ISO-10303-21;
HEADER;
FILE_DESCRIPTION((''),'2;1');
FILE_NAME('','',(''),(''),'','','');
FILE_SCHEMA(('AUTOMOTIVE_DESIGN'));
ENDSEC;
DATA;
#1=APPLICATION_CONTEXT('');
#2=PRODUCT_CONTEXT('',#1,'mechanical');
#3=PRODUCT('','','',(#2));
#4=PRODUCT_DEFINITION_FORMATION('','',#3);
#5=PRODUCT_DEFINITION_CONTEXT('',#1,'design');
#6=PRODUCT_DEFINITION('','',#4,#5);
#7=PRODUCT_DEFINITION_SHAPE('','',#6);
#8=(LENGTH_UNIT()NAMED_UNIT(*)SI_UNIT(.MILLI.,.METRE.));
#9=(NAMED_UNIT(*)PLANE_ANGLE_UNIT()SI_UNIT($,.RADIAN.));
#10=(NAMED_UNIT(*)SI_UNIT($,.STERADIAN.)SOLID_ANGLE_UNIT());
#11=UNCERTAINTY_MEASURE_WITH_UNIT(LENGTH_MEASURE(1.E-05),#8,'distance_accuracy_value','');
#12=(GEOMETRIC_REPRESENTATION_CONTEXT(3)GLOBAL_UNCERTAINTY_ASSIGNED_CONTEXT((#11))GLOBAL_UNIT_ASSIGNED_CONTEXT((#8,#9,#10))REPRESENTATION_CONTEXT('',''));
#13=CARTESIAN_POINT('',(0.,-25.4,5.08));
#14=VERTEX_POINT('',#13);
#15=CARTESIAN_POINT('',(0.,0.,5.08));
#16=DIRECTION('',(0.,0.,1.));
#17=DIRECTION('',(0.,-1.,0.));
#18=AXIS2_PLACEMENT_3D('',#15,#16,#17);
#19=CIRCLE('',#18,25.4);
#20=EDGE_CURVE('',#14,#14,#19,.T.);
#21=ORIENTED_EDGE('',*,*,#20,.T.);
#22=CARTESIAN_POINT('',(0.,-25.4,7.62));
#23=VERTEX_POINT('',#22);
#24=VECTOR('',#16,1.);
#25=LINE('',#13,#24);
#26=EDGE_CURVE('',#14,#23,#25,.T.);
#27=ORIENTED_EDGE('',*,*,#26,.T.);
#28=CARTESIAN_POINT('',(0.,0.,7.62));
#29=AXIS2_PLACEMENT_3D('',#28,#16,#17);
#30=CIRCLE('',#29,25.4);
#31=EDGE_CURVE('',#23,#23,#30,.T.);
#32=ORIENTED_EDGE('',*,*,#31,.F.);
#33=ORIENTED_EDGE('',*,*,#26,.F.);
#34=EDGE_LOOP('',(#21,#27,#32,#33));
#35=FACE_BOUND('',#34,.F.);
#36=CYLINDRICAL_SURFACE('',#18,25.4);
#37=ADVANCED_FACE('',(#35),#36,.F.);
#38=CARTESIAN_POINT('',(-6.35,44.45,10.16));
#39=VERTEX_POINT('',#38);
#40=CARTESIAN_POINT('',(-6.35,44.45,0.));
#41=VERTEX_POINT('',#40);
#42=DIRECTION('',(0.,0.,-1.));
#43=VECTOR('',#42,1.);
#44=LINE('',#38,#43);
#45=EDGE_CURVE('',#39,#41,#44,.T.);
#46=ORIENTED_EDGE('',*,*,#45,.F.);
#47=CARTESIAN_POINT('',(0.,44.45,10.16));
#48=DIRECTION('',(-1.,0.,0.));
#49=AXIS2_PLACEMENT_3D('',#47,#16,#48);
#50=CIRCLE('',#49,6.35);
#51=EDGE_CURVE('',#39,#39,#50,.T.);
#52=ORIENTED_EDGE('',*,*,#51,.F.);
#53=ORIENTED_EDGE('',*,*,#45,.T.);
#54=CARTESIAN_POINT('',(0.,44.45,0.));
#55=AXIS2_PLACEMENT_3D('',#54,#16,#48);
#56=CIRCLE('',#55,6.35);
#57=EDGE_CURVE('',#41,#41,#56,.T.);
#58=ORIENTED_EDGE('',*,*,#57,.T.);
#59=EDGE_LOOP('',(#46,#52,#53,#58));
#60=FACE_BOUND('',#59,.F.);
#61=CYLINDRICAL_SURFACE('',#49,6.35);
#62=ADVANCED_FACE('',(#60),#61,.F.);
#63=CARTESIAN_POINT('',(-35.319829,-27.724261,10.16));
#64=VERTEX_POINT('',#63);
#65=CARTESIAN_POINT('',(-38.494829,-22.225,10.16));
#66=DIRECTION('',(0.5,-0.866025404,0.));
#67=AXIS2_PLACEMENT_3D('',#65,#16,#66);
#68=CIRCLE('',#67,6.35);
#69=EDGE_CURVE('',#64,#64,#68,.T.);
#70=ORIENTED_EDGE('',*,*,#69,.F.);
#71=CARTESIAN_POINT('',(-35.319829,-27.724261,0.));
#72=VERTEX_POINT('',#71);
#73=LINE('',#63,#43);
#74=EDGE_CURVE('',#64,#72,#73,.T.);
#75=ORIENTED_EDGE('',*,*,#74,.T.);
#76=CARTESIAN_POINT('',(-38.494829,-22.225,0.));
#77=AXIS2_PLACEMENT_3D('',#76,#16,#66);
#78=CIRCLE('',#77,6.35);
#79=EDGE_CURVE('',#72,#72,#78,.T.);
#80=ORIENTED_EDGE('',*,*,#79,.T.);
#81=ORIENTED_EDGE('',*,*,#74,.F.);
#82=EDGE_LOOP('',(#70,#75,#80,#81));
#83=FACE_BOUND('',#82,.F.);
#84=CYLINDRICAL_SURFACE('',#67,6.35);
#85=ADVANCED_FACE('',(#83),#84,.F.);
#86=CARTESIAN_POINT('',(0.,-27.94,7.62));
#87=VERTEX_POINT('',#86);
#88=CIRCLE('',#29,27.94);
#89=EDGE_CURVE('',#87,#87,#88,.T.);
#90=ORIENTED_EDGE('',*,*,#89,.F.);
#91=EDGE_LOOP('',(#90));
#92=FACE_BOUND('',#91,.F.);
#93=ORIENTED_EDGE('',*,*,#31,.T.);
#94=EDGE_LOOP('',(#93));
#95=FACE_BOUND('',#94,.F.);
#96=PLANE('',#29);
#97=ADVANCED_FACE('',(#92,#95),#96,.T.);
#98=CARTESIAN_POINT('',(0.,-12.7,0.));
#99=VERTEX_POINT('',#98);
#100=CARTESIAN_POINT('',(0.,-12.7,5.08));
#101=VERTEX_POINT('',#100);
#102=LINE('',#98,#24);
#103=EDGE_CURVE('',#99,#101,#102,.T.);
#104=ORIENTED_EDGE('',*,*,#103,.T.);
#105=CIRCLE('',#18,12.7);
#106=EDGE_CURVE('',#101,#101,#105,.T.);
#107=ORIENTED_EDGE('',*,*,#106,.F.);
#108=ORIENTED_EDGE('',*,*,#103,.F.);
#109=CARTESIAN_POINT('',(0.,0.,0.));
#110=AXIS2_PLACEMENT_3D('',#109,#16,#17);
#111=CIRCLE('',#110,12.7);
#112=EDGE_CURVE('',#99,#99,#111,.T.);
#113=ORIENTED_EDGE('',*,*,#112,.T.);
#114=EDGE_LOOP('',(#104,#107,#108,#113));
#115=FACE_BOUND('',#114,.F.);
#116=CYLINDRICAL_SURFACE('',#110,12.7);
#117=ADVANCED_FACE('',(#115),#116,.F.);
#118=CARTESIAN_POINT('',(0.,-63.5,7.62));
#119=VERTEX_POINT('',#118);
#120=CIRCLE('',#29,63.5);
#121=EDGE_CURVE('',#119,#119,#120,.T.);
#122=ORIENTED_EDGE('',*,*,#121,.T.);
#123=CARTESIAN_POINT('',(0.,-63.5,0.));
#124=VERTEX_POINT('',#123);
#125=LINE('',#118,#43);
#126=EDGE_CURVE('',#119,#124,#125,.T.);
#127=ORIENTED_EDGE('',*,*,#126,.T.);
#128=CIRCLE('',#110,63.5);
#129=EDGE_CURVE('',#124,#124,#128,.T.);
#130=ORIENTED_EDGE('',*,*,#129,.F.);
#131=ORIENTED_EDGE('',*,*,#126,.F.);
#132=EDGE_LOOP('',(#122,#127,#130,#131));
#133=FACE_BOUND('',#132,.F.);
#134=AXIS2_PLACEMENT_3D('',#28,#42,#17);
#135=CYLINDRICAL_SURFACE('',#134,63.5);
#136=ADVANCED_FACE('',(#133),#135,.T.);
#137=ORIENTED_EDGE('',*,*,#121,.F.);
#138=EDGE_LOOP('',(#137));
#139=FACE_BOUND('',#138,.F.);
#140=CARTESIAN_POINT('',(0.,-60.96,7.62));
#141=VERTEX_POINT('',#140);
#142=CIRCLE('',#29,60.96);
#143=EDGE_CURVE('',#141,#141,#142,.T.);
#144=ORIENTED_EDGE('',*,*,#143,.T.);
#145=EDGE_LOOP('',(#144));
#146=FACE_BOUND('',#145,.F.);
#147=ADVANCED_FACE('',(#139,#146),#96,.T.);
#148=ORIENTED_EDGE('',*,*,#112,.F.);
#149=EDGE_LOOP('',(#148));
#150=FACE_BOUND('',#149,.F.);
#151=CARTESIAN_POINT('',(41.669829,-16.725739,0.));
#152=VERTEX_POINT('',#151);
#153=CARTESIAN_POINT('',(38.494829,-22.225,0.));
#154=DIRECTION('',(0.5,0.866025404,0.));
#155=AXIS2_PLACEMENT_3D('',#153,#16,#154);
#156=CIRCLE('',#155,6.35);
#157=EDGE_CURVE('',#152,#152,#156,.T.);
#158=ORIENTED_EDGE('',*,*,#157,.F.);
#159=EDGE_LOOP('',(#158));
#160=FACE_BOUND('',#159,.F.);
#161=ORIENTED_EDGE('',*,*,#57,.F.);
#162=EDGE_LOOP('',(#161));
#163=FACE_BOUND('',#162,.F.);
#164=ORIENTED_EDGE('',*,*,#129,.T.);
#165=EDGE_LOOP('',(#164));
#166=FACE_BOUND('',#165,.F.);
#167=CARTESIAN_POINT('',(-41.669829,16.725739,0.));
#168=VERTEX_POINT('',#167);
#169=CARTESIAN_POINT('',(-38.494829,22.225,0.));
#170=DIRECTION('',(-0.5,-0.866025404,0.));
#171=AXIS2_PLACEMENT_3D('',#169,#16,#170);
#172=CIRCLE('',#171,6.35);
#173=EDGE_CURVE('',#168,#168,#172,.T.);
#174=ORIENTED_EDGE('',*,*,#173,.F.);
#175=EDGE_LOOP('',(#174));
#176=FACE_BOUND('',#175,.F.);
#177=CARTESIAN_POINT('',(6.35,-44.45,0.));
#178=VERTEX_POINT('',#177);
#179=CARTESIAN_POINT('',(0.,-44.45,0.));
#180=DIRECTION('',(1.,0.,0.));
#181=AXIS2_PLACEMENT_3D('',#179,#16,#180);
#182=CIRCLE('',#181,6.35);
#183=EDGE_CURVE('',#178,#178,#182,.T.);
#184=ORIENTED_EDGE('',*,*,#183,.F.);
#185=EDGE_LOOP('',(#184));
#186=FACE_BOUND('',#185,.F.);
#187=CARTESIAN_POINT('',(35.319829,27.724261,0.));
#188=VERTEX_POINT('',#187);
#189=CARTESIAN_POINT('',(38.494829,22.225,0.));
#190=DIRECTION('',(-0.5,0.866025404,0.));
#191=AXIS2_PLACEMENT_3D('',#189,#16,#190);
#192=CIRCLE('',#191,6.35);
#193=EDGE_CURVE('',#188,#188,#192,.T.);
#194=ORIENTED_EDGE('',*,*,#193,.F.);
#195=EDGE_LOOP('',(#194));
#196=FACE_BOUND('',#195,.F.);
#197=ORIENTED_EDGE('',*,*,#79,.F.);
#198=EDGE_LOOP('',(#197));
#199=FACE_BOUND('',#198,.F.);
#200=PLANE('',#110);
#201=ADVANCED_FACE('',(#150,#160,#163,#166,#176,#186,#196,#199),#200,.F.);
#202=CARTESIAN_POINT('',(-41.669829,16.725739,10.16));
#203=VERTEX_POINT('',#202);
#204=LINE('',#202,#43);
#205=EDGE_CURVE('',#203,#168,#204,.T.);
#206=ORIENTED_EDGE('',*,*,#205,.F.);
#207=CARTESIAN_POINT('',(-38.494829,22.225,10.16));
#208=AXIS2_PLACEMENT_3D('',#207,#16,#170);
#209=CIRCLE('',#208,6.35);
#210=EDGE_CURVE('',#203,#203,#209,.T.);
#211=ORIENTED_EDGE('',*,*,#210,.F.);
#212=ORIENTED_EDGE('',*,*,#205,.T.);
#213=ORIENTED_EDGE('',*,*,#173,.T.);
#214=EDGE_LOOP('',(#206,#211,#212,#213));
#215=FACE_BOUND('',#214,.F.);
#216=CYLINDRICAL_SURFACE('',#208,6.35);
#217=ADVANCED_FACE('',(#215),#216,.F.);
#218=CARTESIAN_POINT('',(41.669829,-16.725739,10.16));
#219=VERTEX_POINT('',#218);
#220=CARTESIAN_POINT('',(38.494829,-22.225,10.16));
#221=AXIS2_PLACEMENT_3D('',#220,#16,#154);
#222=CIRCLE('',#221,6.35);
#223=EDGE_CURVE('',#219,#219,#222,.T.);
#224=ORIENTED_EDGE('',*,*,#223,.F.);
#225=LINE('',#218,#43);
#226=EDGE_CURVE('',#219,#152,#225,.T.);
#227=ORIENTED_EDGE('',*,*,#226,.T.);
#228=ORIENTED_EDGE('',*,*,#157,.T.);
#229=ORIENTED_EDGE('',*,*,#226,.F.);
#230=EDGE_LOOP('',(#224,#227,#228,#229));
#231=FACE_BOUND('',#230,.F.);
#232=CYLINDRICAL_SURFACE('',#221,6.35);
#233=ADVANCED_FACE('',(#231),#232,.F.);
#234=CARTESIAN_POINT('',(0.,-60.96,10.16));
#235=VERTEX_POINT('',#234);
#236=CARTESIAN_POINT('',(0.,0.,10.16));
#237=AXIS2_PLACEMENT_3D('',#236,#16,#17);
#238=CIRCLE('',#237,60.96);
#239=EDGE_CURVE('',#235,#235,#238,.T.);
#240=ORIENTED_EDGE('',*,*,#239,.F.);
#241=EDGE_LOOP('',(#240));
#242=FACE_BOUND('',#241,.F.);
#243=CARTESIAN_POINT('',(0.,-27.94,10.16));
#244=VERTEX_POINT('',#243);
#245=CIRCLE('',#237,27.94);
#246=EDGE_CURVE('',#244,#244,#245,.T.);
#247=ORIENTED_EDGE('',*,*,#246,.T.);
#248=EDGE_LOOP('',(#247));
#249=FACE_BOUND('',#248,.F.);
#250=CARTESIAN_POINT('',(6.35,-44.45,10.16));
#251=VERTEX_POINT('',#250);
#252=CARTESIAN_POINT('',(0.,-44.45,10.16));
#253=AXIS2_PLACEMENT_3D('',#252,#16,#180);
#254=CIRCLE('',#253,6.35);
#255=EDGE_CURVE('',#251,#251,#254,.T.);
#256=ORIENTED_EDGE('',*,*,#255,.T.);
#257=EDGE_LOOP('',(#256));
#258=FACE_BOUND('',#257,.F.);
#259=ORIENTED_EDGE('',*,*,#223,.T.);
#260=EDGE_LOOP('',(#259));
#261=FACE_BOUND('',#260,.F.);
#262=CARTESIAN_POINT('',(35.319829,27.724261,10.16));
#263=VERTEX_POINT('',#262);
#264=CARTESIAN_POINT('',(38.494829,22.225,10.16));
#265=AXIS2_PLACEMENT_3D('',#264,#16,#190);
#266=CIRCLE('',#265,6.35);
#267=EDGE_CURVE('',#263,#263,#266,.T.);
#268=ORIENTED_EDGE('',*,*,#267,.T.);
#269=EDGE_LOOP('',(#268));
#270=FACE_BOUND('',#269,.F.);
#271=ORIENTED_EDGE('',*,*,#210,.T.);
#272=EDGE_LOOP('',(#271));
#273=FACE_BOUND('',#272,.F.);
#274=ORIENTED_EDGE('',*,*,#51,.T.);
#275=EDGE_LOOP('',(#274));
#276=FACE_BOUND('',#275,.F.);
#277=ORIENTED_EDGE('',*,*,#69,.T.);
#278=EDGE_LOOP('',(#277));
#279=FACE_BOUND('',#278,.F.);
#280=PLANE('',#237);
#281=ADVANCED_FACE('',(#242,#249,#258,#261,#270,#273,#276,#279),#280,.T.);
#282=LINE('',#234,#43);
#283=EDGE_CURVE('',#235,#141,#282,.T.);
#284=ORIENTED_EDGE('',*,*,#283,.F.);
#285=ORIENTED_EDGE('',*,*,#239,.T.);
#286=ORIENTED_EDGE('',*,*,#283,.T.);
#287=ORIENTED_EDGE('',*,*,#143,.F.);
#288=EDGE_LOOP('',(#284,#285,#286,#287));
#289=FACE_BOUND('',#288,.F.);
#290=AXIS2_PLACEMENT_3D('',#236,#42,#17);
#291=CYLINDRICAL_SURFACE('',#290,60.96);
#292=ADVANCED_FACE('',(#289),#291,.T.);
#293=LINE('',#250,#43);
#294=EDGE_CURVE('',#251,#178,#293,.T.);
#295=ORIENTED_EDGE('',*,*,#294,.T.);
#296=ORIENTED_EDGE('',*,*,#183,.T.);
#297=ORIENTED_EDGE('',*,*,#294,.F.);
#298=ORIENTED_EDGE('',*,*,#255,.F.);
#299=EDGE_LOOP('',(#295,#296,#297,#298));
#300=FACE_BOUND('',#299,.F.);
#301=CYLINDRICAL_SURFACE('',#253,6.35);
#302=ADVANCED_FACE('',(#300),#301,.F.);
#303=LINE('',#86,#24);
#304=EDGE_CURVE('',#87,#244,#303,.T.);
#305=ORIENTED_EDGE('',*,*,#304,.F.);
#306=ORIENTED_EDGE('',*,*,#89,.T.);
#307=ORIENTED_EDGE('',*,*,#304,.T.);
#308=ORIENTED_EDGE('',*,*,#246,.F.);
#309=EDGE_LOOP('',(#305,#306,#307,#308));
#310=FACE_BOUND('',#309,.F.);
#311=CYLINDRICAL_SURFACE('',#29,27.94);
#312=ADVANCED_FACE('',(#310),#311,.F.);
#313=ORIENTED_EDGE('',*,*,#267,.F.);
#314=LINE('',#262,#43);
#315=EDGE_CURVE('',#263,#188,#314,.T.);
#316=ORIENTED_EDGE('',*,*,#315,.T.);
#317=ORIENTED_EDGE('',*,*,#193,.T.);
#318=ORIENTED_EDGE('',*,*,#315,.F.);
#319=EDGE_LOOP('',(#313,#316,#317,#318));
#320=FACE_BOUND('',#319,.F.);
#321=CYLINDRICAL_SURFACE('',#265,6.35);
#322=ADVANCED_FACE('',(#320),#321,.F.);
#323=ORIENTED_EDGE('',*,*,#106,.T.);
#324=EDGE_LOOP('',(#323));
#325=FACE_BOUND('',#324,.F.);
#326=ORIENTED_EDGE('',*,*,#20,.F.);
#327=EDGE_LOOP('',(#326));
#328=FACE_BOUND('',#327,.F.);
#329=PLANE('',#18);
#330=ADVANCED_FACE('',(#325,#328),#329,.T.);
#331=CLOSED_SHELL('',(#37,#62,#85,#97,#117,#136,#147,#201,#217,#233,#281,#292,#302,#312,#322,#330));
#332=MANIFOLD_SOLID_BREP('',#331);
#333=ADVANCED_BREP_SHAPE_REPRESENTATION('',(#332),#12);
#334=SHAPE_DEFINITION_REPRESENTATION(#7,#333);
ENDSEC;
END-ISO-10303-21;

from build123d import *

# Parameters (mm, degrees)
F2_R     = 6.35
F3_DEPTH = 10.161
F4_COUNT = 6


with BuildPart() as f1:
    # F0 (on Right) → F1 (revolve)
    with BuildSketch(Plane.YZ):
        Polygon((-63.5, 0), (-12.7, 0), (-12.7, 5.08), (-25.4, 5.08), (-25.4, 7.62), (-27.94, 7.62), (-27.94, 10.16), (-60.96, 10.16), (-60.96, 7.62), (-63.5, 7.62), align=None)
    revolve(axis=Axis((0, 0, 21.0262340249), (0, 0, 1)))

    # F2 (on face) → F3 (cut, through all)
    with BuildSketch(Plane.XY.offset(10.16)):
        with Locations((0, -44.45)):
            Circle(F2_R)
    f3 = extrude(amount=-F3_DEPTH, mode=Mode.SUBTRACT)

    # F4: F3 ×6 about axis
    f4_axis = Axis((0, 0, 10.16), (0, 0, 1))
    for i in range(1, F4_COUNT):
        add(f3.rotate(f4_axis, i * 360 / F4_COUNT), mode=Mode.SUBTRACT)


solid = f1.part
